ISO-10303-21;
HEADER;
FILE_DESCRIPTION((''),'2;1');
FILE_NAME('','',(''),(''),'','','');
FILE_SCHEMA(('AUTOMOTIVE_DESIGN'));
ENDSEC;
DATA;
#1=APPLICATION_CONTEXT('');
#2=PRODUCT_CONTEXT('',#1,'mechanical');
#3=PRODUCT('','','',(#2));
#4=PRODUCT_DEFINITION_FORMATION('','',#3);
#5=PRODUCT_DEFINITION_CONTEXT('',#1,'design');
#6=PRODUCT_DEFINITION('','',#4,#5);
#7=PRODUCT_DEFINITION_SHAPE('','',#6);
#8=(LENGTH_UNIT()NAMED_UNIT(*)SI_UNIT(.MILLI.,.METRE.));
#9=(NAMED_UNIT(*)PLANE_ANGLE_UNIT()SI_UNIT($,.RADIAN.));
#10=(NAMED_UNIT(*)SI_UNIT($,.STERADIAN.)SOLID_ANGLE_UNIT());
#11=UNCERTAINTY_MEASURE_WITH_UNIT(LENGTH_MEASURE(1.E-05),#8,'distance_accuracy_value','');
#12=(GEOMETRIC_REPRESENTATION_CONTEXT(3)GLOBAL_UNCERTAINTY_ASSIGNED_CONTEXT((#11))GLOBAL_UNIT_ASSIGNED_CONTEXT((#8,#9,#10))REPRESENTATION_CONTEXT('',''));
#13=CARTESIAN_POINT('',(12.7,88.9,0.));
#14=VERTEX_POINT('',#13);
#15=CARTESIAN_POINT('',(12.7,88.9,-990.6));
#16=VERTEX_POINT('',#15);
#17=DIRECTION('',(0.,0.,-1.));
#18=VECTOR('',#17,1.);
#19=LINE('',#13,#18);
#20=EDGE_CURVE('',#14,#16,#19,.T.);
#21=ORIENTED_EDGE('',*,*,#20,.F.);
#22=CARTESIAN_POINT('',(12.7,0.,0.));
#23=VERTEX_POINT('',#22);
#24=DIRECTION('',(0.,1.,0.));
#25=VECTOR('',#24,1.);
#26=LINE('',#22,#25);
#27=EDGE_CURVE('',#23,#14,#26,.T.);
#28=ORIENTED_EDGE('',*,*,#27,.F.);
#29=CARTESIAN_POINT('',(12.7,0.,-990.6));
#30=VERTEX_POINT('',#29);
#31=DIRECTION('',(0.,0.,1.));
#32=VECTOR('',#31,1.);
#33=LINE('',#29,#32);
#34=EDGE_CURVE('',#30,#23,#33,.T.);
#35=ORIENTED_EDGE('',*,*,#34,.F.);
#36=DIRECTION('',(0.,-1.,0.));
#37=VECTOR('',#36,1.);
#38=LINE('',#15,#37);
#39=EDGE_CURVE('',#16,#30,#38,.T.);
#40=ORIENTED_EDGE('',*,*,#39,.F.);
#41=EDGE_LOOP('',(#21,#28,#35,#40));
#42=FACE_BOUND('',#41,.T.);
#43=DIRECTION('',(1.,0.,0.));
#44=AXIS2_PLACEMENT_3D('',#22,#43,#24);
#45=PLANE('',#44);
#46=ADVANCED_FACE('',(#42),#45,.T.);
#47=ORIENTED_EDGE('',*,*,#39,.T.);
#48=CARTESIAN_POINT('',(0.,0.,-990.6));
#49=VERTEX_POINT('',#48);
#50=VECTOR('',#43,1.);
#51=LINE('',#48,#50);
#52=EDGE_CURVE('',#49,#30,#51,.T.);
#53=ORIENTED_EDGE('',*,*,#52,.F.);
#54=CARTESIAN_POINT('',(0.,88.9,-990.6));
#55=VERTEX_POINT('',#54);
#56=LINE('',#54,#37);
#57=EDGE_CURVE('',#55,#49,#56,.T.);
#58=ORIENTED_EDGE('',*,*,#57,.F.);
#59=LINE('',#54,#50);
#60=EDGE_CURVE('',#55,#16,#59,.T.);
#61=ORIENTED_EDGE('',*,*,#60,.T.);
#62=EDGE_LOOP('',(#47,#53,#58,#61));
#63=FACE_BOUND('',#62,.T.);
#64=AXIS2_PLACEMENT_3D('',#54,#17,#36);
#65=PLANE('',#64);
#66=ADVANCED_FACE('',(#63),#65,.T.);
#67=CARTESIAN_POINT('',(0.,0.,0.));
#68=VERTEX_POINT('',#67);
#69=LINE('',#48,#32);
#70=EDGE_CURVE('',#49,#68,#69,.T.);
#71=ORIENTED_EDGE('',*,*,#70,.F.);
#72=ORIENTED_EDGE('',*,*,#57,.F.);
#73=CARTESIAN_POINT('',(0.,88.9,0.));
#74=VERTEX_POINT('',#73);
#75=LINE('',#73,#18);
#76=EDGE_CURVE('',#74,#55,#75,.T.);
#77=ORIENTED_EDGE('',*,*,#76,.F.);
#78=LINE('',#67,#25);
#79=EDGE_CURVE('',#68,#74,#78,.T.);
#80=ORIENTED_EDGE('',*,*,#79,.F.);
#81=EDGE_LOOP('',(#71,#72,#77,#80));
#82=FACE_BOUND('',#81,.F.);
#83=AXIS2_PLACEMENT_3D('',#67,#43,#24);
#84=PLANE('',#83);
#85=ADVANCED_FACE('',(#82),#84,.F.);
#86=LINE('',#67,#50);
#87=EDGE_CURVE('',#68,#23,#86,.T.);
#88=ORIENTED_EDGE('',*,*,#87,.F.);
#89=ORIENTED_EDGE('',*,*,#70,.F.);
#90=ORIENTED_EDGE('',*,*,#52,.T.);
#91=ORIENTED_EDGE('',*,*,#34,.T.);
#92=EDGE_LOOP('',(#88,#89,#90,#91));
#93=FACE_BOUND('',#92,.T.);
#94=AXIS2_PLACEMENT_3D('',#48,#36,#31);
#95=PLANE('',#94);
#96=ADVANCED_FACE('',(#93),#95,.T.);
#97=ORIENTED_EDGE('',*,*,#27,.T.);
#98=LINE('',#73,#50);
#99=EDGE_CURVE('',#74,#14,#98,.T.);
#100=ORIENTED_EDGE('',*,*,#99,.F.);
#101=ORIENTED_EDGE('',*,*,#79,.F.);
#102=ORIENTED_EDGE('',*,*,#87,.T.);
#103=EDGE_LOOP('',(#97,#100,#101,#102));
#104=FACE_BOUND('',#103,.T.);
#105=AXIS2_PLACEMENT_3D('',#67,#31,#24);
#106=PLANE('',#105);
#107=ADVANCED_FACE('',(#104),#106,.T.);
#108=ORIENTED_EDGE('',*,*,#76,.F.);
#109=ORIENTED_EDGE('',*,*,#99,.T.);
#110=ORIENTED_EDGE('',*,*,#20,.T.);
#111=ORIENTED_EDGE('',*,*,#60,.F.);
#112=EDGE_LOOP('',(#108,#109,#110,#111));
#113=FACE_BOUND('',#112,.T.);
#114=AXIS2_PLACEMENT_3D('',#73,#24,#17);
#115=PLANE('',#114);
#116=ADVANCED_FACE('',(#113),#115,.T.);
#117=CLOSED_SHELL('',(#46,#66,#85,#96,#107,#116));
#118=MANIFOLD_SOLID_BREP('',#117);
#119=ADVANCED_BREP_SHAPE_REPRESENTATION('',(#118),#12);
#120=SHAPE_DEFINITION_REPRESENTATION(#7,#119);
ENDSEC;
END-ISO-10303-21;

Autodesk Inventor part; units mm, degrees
ref_plane "YZ Plane" through (0, 0, 0) normal (1, 0, 0) x (0, 1, 0)
ref_plane "XZ Plane" through (0, 0, 0) normal (0, 1, 0) x (-1, 0, 0)
ref_plane "XY Plane" through (0, 0, 0) normal (0, 0, 1) x (1, 0, 0)
sketch "Sketch1" plane through (0, 0, 0) normal (1, 0, 0) x (0, 1, 0)
  line L0 (0, 0) -> (88.9, 0)
  line L1 (88.9, 0) -> (88.9, -990.6)
  line L2 (88.9, -990.6) -> (0, -990.6)
  line L3 (0, -990.6) -> (0, 0)
  dimension "d1" = 990.6
  dimension "d4" = 88.9
extrude "Extrusion1" add sketch "Sketch1" along normal blind 12.7
properties part number "Header_With_Dimensions_0.5_x_3.5_x_35_Inches" material "Wood (Birch)"
